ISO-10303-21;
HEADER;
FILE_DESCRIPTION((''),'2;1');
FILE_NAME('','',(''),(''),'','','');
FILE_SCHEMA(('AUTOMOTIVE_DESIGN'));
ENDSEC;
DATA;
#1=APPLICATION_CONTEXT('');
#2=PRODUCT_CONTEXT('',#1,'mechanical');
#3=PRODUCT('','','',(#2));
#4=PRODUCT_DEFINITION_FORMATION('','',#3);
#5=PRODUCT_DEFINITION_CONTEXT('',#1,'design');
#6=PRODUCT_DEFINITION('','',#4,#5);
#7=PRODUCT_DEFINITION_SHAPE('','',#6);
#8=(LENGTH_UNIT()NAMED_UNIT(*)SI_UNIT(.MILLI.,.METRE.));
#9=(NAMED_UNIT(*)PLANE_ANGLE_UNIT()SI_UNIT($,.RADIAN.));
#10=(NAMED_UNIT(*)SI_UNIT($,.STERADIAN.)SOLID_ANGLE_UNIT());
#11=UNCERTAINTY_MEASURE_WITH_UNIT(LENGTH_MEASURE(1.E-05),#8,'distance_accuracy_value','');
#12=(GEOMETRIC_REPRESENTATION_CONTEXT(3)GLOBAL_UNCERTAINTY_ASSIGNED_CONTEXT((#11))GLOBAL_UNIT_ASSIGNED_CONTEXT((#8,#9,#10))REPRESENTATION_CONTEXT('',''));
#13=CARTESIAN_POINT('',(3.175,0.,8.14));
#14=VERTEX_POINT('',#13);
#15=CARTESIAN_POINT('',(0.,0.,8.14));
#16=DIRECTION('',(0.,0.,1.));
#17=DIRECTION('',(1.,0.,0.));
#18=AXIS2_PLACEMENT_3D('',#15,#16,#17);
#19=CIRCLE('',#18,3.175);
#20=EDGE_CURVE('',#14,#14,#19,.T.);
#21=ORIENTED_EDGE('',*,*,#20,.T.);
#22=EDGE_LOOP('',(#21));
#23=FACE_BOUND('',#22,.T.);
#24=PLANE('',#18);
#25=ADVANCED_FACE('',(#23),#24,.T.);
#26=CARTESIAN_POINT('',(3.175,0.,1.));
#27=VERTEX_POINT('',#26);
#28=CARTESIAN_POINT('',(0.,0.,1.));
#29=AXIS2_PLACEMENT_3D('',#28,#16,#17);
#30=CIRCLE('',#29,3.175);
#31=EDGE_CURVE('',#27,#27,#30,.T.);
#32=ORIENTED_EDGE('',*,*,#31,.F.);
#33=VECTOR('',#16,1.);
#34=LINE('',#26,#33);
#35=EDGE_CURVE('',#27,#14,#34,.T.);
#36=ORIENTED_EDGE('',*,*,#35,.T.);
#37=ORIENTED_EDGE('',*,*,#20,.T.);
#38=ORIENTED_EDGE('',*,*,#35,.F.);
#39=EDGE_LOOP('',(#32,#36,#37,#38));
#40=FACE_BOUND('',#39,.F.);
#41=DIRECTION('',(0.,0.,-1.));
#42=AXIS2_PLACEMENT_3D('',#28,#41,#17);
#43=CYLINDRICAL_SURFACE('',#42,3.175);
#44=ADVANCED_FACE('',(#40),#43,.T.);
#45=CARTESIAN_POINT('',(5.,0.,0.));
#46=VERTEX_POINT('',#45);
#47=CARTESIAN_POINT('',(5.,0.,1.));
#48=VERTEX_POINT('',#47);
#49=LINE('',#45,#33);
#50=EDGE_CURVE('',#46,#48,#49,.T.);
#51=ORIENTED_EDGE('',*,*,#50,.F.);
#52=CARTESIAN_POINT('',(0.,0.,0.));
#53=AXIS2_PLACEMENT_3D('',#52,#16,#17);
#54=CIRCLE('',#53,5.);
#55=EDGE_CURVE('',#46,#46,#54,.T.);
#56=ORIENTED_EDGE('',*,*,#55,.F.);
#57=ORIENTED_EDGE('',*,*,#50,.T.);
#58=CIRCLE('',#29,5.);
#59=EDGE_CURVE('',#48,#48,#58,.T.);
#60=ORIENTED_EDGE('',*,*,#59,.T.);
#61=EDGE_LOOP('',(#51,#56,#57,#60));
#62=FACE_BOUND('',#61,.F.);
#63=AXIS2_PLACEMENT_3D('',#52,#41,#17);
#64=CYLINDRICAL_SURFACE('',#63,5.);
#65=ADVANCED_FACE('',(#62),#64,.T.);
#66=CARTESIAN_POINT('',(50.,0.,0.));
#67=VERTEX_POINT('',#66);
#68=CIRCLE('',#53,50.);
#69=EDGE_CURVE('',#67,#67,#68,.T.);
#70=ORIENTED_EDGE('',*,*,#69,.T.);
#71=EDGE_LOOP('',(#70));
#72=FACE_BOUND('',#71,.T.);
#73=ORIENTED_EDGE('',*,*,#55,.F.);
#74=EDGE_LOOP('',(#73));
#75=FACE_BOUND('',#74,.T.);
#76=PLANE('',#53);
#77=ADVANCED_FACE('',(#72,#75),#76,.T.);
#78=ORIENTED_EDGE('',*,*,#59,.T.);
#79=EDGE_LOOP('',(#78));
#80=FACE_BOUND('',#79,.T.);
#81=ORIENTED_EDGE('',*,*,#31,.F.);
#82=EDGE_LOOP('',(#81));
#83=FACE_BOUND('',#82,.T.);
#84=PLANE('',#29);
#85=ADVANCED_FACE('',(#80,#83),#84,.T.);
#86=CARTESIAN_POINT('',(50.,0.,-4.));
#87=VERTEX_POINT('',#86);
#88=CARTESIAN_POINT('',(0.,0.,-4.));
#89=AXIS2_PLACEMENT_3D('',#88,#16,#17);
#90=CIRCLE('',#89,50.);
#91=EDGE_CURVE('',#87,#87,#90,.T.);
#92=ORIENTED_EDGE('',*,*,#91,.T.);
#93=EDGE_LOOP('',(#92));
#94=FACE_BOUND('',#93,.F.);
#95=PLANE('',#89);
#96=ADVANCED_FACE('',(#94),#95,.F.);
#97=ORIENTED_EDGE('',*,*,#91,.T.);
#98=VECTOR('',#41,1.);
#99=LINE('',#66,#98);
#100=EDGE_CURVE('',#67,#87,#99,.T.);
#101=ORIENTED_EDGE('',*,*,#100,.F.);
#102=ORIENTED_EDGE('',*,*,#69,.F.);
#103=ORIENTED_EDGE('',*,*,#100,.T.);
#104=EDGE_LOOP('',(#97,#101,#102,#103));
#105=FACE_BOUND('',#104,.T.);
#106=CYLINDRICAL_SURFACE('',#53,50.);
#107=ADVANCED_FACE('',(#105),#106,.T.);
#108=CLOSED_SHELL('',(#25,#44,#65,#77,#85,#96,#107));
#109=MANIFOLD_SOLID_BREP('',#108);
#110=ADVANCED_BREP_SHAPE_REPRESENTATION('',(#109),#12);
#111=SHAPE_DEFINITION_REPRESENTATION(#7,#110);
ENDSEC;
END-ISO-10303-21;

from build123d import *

# Parameters (mm, degrees)
F0_R       = 5
F0_R_2     = 3.175
F1_DEPTH   = 1
F2_R       = 3.175
F3_DEPTH   = 7.14
F0_R_3     = 50
F1_FACE1_R = 5
F4_DEPTH   = 4


with BuildPart() as f1:
    # F0 (on Top) → F1 (new body)
    with BuildSketch(Plane.XY):
        Circle(F0_R)
        Circle(F0_R_2, mode=Mode.SUBTRACT)
        Circle(F0_R_2)
    extrude(amount=F1_DEPTH)

    # F2 (on face) → F3 (join)
    with BuildSketch(Plane.XY.offset(1)):
        Circle(F2_R)
    extrude(amount=F3_DEPTH)

    # F0 (on Top) + F1_face1 (on face) → F4 (join)
    with BuildSketch(Plane.XY):
        Circle(F0_R_3)
        Circle(F0_R, mode=Mode.SUBTRACT)
    with BuildSketch(Plane(origin=(0, 0, 0), x_dir=(1, 0, 0), z_dir=(0, 0, -1))):
        Circle(F1_FACE1_R)
    extrude(amount=-F4_DEPTH, dir=(0, 0, 1))


solid = f1.part
